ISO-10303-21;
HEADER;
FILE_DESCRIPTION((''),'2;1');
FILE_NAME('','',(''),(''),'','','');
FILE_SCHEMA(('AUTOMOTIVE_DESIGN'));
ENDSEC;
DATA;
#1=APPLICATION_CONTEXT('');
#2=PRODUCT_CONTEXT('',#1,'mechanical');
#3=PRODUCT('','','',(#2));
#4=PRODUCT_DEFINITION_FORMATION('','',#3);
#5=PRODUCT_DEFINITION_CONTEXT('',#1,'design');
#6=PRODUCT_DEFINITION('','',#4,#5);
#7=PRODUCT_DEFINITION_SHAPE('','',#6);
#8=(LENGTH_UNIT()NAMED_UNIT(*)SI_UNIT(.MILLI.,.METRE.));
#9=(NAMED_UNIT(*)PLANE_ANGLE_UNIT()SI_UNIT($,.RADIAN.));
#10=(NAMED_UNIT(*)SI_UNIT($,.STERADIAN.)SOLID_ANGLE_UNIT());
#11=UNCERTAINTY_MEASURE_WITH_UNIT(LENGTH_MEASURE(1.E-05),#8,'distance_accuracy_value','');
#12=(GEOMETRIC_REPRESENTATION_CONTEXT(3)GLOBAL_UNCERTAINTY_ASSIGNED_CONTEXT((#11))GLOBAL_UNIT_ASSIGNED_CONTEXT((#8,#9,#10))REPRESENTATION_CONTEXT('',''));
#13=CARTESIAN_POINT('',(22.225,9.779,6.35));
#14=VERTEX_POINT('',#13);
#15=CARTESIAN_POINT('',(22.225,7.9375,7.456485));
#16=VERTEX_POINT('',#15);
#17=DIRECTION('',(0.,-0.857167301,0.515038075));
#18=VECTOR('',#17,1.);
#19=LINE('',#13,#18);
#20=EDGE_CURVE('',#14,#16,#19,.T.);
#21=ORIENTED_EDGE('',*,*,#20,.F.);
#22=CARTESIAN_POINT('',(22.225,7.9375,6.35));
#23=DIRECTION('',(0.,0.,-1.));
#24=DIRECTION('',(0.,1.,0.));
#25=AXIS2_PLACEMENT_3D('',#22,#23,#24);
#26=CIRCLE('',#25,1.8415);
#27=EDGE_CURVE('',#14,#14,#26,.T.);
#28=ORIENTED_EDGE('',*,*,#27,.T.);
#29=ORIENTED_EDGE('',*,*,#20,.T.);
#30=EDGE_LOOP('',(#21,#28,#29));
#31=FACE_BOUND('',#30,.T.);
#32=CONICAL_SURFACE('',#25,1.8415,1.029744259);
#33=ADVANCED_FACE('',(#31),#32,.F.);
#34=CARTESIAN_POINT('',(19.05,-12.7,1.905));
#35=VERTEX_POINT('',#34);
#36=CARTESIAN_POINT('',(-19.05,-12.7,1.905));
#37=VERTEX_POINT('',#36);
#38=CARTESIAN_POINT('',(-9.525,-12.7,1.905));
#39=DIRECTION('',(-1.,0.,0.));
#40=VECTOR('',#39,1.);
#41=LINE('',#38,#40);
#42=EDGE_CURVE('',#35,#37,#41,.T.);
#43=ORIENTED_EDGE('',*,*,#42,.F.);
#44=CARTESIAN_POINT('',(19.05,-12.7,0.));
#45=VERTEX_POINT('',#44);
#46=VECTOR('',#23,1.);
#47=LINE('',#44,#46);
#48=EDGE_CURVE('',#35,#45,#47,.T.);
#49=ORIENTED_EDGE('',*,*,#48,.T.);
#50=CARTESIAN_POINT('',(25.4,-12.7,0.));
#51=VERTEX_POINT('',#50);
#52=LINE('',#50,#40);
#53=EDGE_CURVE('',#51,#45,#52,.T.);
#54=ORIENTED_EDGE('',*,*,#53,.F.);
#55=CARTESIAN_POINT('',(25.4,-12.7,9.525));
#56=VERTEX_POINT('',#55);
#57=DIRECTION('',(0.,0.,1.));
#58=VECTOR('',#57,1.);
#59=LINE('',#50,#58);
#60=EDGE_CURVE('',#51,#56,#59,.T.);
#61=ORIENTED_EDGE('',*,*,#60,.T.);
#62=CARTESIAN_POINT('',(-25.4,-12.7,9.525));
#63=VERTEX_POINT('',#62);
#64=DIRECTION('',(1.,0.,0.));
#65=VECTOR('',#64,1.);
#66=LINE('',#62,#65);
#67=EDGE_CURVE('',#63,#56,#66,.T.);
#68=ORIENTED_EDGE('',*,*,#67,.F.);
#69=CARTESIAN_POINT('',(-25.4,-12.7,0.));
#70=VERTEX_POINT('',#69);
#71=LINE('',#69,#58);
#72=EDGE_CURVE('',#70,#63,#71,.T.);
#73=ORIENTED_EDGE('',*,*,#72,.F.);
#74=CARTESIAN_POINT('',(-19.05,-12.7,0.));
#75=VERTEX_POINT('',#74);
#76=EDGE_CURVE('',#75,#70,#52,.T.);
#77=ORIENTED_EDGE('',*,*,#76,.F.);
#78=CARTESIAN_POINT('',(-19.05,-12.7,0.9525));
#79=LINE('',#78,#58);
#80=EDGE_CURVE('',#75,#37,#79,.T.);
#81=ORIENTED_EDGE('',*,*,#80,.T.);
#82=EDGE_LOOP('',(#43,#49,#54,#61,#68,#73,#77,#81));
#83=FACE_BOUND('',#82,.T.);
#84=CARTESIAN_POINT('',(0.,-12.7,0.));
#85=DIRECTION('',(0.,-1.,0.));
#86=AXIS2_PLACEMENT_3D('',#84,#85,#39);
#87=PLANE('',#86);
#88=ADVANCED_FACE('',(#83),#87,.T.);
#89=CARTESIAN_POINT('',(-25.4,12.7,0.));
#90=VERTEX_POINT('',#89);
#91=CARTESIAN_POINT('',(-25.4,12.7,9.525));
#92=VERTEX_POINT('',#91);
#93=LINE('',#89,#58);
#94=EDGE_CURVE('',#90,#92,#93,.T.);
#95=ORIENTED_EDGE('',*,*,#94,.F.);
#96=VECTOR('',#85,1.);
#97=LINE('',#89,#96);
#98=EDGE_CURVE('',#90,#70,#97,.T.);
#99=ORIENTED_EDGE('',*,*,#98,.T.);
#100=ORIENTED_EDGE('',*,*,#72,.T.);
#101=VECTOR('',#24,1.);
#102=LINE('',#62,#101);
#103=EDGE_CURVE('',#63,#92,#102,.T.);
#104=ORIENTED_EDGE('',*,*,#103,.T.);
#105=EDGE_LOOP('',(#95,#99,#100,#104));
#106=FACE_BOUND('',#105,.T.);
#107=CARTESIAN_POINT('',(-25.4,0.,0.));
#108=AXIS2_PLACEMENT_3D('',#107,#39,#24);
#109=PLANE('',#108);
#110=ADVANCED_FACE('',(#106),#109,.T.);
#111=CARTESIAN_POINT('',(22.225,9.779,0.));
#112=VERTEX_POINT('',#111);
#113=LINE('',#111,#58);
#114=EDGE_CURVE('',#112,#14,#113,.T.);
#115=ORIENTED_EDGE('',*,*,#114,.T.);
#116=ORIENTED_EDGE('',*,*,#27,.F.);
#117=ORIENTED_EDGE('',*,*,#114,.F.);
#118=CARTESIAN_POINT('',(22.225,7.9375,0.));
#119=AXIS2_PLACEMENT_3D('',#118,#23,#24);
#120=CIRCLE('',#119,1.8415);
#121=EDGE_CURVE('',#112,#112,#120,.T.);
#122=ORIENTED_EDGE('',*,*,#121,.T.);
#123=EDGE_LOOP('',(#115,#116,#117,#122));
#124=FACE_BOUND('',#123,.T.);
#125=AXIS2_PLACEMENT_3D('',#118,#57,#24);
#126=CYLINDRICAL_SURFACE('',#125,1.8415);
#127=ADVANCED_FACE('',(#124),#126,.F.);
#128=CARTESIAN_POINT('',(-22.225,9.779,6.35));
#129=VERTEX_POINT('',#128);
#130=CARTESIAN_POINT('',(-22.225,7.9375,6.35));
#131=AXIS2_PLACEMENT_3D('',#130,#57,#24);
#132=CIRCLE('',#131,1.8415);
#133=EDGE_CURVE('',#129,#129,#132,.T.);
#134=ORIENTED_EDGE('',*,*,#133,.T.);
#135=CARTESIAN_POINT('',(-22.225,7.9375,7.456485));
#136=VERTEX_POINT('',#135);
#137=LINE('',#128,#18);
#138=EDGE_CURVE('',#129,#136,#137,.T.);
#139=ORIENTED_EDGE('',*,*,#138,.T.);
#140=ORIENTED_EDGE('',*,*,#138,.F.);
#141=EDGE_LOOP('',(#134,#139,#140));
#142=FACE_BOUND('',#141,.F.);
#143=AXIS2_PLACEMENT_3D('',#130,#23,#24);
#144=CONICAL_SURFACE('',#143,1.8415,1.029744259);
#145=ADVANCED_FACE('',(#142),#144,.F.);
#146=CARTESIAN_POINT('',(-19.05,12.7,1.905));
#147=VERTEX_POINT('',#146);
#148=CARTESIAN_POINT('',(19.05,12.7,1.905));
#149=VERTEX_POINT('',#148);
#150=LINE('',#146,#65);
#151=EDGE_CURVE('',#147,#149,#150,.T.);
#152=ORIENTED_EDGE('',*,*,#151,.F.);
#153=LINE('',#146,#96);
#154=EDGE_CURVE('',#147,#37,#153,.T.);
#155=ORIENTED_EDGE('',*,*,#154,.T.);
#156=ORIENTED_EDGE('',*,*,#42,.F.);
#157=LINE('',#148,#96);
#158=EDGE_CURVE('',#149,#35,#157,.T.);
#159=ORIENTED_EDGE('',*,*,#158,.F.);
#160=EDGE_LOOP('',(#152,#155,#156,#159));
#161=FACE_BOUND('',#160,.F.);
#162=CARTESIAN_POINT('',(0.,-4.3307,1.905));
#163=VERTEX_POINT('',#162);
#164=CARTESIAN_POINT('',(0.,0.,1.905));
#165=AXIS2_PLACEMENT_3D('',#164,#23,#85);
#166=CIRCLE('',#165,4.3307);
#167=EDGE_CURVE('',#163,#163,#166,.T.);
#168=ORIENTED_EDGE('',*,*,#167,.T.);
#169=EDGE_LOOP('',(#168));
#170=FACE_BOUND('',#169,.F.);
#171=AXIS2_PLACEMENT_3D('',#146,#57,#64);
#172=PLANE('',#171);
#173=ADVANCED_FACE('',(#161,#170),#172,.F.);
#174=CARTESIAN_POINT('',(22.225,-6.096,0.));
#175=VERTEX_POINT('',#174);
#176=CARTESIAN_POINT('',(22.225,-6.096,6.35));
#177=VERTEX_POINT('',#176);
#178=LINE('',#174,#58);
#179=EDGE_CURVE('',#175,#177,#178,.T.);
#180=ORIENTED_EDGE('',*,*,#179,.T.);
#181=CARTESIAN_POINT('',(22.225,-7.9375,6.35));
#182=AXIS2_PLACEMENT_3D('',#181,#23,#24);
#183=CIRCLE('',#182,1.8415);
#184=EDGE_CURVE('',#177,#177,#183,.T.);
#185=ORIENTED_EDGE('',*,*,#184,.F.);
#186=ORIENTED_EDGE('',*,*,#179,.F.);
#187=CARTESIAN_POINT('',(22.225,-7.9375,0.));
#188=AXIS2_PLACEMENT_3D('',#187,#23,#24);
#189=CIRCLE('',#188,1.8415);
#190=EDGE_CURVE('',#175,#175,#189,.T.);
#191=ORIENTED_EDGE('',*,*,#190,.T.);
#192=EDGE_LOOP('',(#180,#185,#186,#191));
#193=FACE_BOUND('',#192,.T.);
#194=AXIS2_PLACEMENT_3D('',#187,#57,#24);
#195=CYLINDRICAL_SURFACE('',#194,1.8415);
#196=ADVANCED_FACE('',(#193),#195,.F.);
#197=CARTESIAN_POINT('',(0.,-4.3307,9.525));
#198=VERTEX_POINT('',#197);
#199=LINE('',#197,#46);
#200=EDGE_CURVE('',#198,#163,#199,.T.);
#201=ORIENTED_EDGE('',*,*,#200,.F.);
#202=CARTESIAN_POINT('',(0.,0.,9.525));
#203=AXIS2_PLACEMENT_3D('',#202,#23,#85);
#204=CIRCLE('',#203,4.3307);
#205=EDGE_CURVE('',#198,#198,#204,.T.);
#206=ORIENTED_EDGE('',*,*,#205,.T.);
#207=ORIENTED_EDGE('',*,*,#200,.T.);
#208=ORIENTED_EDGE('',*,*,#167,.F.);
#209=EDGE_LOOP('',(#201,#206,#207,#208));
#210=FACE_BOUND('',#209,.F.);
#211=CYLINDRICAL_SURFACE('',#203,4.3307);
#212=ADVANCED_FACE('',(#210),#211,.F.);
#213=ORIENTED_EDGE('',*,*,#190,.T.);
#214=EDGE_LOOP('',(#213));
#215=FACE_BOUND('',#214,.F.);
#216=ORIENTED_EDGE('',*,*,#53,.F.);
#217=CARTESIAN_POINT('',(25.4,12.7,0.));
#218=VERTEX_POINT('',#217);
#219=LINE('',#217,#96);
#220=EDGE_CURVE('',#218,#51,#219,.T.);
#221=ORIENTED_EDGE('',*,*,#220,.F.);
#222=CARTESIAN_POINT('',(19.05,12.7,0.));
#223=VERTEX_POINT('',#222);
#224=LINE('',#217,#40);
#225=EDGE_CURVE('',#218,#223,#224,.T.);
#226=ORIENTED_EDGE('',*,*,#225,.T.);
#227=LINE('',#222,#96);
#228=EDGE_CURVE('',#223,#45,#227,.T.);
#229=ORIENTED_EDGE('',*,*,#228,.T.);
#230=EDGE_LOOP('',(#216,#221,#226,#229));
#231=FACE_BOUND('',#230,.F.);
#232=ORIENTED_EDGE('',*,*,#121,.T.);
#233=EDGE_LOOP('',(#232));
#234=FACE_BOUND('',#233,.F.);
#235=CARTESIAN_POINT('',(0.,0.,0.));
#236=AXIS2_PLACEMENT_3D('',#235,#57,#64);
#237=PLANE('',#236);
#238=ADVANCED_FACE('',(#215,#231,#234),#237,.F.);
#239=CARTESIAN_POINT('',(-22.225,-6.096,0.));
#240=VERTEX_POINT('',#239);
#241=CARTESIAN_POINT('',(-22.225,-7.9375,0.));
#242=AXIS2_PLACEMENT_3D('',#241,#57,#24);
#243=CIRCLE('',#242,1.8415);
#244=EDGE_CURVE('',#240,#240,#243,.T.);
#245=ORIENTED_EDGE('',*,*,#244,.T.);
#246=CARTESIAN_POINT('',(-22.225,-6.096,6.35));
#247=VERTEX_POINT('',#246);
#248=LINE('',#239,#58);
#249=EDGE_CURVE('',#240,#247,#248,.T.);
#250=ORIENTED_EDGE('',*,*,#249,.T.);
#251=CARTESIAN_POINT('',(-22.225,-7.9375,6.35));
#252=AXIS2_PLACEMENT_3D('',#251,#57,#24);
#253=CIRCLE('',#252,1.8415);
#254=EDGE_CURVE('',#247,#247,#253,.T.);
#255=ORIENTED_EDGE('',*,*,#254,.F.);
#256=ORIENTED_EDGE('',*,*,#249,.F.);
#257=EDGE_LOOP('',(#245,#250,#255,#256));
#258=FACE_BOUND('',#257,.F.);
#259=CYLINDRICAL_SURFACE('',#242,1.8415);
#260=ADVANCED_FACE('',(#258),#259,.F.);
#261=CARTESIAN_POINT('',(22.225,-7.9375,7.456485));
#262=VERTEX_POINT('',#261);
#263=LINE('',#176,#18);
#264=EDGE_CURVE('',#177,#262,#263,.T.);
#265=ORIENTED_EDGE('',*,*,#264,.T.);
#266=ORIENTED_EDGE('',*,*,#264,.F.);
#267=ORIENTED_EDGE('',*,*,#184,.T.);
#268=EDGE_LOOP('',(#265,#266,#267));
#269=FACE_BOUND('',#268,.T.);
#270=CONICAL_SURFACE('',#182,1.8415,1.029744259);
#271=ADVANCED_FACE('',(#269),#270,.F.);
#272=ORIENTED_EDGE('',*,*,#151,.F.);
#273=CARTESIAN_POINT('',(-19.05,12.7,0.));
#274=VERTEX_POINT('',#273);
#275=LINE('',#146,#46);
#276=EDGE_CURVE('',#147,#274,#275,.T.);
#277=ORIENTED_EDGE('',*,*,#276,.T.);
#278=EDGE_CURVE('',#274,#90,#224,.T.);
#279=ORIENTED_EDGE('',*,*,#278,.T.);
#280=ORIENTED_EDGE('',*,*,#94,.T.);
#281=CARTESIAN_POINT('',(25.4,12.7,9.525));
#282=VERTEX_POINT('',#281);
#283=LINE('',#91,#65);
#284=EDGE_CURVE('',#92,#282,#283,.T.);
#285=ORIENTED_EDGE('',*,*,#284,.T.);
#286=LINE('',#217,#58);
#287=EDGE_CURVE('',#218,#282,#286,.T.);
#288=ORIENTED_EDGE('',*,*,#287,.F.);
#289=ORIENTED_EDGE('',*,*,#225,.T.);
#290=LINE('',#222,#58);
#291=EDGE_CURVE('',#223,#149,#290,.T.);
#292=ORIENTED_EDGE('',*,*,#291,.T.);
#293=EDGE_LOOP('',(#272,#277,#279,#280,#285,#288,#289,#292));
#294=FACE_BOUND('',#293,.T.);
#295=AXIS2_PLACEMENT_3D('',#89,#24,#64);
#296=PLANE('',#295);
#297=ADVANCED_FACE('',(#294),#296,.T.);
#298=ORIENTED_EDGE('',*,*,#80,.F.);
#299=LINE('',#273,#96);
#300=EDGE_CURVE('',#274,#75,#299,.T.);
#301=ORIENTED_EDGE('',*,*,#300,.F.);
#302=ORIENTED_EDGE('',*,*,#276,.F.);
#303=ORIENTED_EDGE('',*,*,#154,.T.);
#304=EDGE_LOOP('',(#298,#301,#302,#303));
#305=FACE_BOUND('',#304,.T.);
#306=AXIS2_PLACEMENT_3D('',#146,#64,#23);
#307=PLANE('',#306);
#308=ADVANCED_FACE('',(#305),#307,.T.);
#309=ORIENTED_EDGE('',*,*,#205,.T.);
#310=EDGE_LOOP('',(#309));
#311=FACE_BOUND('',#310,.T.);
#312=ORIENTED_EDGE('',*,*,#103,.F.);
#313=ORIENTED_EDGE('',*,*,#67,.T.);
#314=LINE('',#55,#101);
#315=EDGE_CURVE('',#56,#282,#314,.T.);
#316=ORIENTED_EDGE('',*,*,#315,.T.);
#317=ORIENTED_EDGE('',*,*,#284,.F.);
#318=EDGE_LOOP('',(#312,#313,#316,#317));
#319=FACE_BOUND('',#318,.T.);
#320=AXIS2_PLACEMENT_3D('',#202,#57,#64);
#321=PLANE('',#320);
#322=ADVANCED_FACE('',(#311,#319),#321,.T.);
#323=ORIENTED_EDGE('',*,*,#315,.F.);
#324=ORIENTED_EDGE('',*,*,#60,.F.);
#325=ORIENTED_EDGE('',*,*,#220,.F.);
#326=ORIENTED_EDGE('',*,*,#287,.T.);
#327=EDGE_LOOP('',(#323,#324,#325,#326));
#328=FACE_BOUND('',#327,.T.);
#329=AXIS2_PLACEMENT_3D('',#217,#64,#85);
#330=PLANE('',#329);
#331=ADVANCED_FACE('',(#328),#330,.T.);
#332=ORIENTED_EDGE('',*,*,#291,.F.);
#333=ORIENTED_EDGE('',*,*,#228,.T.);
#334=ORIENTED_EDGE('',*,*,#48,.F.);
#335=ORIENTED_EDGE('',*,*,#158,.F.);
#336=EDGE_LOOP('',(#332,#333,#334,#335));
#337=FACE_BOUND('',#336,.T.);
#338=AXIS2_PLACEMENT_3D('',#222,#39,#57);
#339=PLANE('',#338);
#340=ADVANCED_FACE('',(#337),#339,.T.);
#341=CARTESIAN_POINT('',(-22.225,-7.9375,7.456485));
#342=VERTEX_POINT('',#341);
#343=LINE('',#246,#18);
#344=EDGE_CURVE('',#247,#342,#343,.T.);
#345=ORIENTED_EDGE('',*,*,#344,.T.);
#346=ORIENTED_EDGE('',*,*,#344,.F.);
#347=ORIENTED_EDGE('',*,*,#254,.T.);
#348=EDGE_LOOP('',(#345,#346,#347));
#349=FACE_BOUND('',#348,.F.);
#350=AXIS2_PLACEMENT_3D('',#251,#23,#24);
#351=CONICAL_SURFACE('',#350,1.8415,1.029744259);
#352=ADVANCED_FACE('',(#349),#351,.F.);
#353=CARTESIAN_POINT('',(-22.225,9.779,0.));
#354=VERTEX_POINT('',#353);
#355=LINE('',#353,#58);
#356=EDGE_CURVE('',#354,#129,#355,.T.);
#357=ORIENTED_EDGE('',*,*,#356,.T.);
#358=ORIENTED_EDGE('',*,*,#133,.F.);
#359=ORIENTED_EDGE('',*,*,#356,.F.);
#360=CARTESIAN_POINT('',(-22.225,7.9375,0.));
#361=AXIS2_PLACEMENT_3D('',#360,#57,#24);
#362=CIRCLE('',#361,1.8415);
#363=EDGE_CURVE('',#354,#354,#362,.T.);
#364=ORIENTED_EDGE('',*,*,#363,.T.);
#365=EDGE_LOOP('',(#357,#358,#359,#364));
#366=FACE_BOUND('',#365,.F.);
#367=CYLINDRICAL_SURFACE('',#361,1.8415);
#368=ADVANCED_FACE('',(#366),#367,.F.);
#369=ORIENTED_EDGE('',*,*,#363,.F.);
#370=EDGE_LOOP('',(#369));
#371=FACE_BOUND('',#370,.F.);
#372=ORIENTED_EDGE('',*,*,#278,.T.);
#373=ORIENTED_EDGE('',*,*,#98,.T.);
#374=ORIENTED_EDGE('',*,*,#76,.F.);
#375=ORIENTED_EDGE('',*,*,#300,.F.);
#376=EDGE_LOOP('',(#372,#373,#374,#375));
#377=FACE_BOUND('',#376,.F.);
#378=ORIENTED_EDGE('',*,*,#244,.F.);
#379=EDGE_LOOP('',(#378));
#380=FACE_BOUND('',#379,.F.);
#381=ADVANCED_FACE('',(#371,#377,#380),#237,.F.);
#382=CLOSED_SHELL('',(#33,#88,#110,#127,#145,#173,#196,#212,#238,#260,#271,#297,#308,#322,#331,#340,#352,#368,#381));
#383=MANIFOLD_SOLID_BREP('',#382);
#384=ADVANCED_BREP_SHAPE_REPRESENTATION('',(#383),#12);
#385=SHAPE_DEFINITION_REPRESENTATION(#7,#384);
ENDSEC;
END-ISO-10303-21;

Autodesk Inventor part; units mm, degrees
ref_plane "YZ Plane" through (0, 0, 0) normal (1, 0, 0) x (0, 1, 0)
ref_plane "XZ Plane" through (0, 0, 0) normal (0, 1, 0) x (-1, 0, 0)
ref_plane "XY Plane" through (0, 0, 0) normal (0, 0, 1) x (1, 0, 0)
sketch "Sketch1" plane through (0, 0, 0) normal (0, 0, 1) x (1, 0, 0)
  line L0 (-35.56, 0) -> (35.56, 0) projected
  line L1 (0, -20.0025) -> (0, 20.0025) projected
  line L2 (-25.4, 12.7) -> (25.4, 12.7)
  line L3 (25.4, 12.7) -> (25.4, -12.7)
  line L4 (25.4, -12.7) -> (-25.4, -12.7)
  line L5 (-25.4, -12.7) -> (-25.4, 12.7)
  circle A0 centre (0, 0) radius 14.2875 construction
  point P0 (-25.4, 0)
  point P1 (0, 12.7)
  dimension "d0" = 28.575
  dimension "d1" = 50.8
  dimension "d2" = 25.4
extrude "Extrusion1" add sketch "Sketch1" along normal blind 9.525
sketch "Sketch2" plane through (-25.4, 12.7, 0) normal (0, 1, 0) x (1, 0, 0)
  line L0 (0, -9.525) -> (50.8, -9.525) projected
  line L1 (0, 0) -> (50.8, 0) projected
  line L2 (0, 0) -> (0, -9.525) projected
  line L3 (44.45, 0) -> (44.45, -1.905)
  line L4 (6.35, -1.905) -> (6.35, 0)
  line L5 (6.35, -1.905) -> (44.45, -1.905)
  line L6 (25.4, 0) -> (25.4, -9.525) construction
  dimension "d5" = 6.35
  dimension "d7" = 1.905
extrude "Extrusion2" cut sketch "Sketch2" against normal through all
sketch "Sketch3" plane through (0, 0, 0) normal (0, 0, -1) x (-1, 0, 0)
  line L0 (25.4, 12.7) -> (19.05, 12.7) projected
  line L1 (35.56, 0) -> (-35.56, 0) projected
  line L2 (0, -17.78) -> (0, 17.78) projected
  point P0 (0, 0)
  point P1 (22.225, 7.9375)
  point P2 (22.225, -7.9375)
  point P3 (22.225, 12.7)
  dimension "d10" = 4.7625
hole "Hole1" at (-22.225, 7.9375, 0) at (-22.225, -7.9375, 0) direction (0, 0, 1) diameter 3.683 depth 6.35 tip angle 118 thread size "10-24 UNC" class "2B" standard "ANSI Unified Screw Threads"
mirror "Mirror1" about plane through (0, 0, 0) normal (1, 0, 0) of "Hole1"
sketch "Sketch4" plane through (0, 0, 9.525) normal (0, 0, 1) x (1, 0, 0)
  point P0 (0, 0)
  point P1 (0, 0)
hole "Hole2" at (0, 0, 9.525) direction (0, 0, -1) diameter 8.6614 end through all thread size "3/8-32 UNEF" class "2B" standard "ANSI Unified Screw Threads"
properties part number "encoder mount"
